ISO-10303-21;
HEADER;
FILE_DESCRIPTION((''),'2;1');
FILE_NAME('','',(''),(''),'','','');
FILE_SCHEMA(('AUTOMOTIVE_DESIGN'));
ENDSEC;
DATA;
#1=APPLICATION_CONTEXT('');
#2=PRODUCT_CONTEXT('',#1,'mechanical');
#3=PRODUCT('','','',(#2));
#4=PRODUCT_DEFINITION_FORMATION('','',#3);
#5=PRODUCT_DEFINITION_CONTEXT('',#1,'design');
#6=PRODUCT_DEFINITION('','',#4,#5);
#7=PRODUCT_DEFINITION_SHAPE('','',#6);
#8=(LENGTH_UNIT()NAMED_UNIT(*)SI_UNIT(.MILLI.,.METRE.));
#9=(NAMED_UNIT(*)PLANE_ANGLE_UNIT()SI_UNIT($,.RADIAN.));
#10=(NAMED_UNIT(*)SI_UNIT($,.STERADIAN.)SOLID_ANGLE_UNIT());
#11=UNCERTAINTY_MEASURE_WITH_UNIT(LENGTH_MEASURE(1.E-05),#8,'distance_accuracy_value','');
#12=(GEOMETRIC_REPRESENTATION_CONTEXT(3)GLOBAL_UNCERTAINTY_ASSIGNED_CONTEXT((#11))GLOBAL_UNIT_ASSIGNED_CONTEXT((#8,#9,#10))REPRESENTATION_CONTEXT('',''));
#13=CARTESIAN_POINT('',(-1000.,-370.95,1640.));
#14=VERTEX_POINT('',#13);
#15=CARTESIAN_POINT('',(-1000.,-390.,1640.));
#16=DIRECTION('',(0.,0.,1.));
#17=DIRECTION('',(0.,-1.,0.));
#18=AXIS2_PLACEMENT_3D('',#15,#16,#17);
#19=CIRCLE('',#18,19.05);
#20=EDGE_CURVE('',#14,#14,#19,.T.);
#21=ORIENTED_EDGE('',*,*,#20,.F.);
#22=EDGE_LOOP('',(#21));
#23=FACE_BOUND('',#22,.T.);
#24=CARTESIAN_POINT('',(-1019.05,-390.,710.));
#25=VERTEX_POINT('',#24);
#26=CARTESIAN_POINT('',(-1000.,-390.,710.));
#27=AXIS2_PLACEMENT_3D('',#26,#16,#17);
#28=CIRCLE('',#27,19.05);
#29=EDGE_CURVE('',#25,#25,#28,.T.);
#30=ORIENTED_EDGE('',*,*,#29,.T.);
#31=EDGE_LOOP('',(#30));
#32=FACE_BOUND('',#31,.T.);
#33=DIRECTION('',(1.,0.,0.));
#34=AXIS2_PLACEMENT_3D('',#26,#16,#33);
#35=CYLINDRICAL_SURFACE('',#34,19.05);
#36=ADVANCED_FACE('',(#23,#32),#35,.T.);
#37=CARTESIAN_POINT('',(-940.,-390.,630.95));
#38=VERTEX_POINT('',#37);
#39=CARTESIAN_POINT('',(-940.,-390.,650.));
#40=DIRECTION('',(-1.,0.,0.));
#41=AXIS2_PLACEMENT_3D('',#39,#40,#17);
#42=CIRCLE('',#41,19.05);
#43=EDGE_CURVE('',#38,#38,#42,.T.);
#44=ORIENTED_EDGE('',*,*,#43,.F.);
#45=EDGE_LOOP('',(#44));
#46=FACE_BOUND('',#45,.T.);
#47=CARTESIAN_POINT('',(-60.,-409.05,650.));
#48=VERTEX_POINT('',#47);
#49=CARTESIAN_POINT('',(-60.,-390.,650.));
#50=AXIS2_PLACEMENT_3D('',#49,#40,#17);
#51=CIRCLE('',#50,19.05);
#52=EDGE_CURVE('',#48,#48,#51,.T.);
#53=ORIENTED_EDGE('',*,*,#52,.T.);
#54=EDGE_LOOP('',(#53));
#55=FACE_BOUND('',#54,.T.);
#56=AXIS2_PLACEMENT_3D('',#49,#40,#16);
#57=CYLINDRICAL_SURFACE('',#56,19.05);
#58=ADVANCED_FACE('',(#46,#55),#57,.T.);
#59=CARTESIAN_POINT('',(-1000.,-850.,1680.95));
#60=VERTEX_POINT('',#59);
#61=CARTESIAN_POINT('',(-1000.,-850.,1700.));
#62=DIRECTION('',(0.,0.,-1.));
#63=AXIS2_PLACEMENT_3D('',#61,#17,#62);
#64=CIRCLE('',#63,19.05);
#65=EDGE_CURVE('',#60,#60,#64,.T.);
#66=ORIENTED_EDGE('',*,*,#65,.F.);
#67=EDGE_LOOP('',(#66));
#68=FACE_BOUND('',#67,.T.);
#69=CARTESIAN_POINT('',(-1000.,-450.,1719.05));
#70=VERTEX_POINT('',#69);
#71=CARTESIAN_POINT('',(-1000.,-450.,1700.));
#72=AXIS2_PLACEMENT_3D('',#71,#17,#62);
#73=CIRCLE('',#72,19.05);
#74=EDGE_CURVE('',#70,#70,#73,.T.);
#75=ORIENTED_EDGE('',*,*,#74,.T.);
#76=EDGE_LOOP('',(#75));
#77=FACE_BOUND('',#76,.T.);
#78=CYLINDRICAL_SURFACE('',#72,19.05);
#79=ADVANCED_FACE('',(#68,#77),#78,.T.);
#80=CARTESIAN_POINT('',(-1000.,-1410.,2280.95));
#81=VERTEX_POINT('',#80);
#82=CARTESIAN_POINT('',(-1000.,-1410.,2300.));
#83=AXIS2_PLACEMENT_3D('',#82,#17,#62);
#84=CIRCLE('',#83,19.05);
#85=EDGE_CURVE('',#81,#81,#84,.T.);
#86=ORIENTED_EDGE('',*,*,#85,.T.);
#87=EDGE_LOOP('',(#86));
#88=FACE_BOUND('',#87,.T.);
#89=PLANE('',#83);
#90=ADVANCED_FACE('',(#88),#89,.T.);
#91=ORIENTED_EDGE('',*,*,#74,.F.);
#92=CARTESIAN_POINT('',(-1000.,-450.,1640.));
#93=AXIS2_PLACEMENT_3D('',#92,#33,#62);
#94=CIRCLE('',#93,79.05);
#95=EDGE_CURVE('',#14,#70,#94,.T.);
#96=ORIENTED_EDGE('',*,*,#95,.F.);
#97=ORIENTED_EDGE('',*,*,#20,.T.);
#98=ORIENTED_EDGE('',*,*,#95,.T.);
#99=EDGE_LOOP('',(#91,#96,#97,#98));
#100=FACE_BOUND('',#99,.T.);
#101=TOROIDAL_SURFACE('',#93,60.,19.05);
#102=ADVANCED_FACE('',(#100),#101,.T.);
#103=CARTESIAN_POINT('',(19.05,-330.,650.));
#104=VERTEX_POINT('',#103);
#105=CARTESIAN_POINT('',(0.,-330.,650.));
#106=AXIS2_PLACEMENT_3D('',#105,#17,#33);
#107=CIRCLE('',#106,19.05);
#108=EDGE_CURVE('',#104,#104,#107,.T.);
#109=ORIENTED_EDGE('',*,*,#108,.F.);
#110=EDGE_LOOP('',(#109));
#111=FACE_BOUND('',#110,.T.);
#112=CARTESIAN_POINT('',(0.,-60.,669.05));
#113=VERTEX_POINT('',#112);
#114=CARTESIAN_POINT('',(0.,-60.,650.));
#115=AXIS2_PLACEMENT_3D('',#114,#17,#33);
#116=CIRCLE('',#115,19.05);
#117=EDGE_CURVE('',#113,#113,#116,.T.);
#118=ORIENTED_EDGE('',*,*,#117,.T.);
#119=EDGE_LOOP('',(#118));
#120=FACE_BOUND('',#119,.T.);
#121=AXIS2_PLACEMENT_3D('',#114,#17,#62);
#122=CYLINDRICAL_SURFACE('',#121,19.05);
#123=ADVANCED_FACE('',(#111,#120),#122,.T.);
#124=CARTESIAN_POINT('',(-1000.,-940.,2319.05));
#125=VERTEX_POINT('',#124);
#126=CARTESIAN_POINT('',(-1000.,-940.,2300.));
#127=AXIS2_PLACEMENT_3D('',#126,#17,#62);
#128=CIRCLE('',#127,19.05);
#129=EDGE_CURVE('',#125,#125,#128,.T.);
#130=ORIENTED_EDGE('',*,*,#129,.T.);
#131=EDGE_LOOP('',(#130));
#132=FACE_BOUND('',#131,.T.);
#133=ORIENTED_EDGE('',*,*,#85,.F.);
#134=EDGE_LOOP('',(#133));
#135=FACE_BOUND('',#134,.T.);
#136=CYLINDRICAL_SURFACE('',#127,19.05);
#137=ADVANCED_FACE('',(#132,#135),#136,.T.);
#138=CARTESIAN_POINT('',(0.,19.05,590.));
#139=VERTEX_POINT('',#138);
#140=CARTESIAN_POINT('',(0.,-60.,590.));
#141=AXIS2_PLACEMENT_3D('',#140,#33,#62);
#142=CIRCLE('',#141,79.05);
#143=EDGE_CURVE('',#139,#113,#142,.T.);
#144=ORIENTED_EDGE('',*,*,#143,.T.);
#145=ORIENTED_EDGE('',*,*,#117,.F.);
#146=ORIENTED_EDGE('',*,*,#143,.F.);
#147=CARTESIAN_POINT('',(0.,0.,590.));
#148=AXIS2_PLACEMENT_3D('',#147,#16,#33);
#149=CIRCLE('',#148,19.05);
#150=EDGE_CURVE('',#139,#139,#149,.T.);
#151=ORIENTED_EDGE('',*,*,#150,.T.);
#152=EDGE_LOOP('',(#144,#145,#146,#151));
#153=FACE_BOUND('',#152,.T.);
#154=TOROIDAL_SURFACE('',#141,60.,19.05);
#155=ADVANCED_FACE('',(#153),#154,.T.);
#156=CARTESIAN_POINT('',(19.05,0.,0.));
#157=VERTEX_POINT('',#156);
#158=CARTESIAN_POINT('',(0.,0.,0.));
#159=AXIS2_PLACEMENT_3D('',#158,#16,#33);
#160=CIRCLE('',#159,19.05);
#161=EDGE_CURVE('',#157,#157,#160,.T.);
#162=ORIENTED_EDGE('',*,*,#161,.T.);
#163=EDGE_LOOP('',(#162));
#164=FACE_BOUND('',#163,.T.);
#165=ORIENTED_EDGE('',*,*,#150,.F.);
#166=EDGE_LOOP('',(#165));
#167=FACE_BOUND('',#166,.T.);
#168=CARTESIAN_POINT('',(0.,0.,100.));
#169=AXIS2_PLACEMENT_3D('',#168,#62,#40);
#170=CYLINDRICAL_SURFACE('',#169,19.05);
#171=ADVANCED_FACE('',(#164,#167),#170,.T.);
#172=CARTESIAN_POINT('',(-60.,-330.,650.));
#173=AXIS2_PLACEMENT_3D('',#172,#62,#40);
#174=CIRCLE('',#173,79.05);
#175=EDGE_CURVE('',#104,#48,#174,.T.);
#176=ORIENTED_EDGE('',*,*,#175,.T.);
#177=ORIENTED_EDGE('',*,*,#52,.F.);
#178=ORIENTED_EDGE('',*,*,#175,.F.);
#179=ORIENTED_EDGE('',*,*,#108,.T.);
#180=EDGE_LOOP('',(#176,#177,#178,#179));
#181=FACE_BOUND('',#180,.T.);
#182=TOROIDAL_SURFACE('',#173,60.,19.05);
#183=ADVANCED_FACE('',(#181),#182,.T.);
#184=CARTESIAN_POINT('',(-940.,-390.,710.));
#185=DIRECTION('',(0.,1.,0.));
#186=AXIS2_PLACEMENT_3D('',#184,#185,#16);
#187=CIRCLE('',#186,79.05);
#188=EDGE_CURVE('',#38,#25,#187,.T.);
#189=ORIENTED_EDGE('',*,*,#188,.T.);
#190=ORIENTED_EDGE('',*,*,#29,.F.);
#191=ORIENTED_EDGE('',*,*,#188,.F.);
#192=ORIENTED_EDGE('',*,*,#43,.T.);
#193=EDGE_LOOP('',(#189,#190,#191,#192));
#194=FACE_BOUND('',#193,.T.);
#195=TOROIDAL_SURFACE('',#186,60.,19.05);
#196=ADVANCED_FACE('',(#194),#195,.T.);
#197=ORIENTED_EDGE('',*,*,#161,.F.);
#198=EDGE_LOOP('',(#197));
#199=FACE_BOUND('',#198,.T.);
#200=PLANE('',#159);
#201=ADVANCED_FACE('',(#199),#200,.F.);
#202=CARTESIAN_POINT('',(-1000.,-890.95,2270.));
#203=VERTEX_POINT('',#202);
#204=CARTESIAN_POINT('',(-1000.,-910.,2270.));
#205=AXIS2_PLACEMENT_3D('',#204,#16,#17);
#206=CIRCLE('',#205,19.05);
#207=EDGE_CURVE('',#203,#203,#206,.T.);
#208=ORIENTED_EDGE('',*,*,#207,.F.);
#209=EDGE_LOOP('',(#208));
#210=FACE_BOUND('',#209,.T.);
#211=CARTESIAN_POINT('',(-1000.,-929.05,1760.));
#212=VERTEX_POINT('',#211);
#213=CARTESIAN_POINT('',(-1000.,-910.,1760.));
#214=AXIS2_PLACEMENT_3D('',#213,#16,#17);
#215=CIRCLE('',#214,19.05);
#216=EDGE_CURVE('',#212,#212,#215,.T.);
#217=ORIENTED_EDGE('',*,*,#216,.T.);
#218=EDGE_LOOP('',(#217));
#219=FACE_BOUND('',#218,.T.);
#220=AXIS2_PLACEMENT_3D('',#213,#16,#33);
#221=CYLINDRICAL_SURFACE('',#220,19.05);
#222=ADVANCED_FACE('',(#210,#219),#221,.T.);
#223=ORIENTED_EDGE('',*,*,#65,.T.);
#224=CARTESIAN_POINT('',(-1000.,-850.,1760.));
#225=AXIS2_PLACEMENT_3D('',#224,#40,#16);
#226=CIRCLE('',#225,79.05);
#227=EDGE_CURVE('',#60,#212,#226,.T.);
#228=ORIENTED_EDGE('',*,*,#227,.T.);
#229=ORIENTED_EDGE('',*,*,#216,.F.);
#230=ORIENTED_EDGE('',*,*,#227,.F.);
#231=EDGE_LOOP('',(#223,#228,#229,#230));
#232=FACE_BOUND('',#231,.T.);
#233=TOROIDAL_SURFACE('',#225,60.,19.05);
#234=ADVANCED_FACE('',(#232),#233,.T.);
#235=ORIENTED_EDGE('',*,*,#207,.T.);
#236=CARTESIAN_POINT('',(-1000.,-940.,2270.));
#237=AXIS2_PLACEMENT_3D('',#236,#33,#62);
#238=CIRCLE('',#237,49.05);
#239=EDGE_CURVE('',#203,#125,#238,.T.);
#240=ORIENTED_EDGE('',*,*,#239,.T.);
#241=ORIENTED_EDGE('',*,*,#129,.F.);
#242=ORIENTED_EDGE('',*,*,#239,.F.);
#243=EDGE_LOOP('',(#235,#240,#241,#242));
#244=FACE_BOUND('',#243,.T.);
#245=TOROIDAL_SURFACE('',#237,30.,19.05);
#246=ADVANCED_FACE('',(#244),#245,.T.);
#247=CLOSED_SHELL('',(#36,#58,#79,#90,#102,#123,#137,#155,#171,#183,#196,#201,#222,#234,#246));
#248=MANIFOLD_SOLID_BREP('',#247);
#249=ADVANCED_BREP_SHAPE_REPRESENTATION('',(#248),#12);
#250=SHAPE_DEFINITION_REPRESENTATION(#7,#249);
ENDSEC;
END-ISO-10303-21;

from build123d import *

# Parameters (mm, degrees)
CROQUIS1_R              = 19.05
SALIENTE_EXTRUIR1_DEPTH = 100
CROQUIS2_R              = 19.05


with BuildPart() as part:
    # Croquis1 → Saliente-Extruir1 (new body)
    with BuildSketch(Plane.XY):
        Circle(CROQUIS1_R)
    extrude(amount=SALIENTE_EXTRUIR1_DEPTH)

    # Barrer1: sweep along a curve in space
    with BuildLine() as barrer1_path:
        Line((0, 0, 100), (0, 0, 590))
        ThreePointArc((0, 0, 590), (0, -17.573593129, 632.426406871), (0, -60, 650))
        Line((0, -60, 650), (0, -330, 650))
        ThreePointArc((0, -330, 650), (-17.573593129, -372.426406871, 650), (-60, -390, 650))
        Line((-60, -390, 650), (-940, -390, 650))
        ThreePointArc((-940, -390, 650), (-982.426406871, -390, 667.573593129), (-1000, -390, 710))
        Line((-1000, -390, 710), (-1000, -390, 1640))
        ThreePointArc((-1000, -390, 1640), (-1000, -407.573593129, 1682.426406871), (-1000, -450, 1700))
        Line((-1000, -450, 1700), (-1000, -850, 1700))
        ThreePointArc((-1000, -850, 1700), (-1000, -892.426406871, 1717.573593129), (-1000, -910, 1760))
        Line((-1000, -910, 1760), (-1000, -910, 2270))
        ThreePointArc((-1000, -910, 2270), (-1000, -918.786796564, 2291.213203436), (-1000, -940, 2300))
        Line((-1000, -940, 2300), (-1000, -1410, 2300))
    # Croquis2 → Barrer1 (sweep)
    with BuildSketch(Plane.XY.offset(100)):
        Circle(CROQUIS2_R)
    sweep(path=barrer1_path.line)


solid = part.part
